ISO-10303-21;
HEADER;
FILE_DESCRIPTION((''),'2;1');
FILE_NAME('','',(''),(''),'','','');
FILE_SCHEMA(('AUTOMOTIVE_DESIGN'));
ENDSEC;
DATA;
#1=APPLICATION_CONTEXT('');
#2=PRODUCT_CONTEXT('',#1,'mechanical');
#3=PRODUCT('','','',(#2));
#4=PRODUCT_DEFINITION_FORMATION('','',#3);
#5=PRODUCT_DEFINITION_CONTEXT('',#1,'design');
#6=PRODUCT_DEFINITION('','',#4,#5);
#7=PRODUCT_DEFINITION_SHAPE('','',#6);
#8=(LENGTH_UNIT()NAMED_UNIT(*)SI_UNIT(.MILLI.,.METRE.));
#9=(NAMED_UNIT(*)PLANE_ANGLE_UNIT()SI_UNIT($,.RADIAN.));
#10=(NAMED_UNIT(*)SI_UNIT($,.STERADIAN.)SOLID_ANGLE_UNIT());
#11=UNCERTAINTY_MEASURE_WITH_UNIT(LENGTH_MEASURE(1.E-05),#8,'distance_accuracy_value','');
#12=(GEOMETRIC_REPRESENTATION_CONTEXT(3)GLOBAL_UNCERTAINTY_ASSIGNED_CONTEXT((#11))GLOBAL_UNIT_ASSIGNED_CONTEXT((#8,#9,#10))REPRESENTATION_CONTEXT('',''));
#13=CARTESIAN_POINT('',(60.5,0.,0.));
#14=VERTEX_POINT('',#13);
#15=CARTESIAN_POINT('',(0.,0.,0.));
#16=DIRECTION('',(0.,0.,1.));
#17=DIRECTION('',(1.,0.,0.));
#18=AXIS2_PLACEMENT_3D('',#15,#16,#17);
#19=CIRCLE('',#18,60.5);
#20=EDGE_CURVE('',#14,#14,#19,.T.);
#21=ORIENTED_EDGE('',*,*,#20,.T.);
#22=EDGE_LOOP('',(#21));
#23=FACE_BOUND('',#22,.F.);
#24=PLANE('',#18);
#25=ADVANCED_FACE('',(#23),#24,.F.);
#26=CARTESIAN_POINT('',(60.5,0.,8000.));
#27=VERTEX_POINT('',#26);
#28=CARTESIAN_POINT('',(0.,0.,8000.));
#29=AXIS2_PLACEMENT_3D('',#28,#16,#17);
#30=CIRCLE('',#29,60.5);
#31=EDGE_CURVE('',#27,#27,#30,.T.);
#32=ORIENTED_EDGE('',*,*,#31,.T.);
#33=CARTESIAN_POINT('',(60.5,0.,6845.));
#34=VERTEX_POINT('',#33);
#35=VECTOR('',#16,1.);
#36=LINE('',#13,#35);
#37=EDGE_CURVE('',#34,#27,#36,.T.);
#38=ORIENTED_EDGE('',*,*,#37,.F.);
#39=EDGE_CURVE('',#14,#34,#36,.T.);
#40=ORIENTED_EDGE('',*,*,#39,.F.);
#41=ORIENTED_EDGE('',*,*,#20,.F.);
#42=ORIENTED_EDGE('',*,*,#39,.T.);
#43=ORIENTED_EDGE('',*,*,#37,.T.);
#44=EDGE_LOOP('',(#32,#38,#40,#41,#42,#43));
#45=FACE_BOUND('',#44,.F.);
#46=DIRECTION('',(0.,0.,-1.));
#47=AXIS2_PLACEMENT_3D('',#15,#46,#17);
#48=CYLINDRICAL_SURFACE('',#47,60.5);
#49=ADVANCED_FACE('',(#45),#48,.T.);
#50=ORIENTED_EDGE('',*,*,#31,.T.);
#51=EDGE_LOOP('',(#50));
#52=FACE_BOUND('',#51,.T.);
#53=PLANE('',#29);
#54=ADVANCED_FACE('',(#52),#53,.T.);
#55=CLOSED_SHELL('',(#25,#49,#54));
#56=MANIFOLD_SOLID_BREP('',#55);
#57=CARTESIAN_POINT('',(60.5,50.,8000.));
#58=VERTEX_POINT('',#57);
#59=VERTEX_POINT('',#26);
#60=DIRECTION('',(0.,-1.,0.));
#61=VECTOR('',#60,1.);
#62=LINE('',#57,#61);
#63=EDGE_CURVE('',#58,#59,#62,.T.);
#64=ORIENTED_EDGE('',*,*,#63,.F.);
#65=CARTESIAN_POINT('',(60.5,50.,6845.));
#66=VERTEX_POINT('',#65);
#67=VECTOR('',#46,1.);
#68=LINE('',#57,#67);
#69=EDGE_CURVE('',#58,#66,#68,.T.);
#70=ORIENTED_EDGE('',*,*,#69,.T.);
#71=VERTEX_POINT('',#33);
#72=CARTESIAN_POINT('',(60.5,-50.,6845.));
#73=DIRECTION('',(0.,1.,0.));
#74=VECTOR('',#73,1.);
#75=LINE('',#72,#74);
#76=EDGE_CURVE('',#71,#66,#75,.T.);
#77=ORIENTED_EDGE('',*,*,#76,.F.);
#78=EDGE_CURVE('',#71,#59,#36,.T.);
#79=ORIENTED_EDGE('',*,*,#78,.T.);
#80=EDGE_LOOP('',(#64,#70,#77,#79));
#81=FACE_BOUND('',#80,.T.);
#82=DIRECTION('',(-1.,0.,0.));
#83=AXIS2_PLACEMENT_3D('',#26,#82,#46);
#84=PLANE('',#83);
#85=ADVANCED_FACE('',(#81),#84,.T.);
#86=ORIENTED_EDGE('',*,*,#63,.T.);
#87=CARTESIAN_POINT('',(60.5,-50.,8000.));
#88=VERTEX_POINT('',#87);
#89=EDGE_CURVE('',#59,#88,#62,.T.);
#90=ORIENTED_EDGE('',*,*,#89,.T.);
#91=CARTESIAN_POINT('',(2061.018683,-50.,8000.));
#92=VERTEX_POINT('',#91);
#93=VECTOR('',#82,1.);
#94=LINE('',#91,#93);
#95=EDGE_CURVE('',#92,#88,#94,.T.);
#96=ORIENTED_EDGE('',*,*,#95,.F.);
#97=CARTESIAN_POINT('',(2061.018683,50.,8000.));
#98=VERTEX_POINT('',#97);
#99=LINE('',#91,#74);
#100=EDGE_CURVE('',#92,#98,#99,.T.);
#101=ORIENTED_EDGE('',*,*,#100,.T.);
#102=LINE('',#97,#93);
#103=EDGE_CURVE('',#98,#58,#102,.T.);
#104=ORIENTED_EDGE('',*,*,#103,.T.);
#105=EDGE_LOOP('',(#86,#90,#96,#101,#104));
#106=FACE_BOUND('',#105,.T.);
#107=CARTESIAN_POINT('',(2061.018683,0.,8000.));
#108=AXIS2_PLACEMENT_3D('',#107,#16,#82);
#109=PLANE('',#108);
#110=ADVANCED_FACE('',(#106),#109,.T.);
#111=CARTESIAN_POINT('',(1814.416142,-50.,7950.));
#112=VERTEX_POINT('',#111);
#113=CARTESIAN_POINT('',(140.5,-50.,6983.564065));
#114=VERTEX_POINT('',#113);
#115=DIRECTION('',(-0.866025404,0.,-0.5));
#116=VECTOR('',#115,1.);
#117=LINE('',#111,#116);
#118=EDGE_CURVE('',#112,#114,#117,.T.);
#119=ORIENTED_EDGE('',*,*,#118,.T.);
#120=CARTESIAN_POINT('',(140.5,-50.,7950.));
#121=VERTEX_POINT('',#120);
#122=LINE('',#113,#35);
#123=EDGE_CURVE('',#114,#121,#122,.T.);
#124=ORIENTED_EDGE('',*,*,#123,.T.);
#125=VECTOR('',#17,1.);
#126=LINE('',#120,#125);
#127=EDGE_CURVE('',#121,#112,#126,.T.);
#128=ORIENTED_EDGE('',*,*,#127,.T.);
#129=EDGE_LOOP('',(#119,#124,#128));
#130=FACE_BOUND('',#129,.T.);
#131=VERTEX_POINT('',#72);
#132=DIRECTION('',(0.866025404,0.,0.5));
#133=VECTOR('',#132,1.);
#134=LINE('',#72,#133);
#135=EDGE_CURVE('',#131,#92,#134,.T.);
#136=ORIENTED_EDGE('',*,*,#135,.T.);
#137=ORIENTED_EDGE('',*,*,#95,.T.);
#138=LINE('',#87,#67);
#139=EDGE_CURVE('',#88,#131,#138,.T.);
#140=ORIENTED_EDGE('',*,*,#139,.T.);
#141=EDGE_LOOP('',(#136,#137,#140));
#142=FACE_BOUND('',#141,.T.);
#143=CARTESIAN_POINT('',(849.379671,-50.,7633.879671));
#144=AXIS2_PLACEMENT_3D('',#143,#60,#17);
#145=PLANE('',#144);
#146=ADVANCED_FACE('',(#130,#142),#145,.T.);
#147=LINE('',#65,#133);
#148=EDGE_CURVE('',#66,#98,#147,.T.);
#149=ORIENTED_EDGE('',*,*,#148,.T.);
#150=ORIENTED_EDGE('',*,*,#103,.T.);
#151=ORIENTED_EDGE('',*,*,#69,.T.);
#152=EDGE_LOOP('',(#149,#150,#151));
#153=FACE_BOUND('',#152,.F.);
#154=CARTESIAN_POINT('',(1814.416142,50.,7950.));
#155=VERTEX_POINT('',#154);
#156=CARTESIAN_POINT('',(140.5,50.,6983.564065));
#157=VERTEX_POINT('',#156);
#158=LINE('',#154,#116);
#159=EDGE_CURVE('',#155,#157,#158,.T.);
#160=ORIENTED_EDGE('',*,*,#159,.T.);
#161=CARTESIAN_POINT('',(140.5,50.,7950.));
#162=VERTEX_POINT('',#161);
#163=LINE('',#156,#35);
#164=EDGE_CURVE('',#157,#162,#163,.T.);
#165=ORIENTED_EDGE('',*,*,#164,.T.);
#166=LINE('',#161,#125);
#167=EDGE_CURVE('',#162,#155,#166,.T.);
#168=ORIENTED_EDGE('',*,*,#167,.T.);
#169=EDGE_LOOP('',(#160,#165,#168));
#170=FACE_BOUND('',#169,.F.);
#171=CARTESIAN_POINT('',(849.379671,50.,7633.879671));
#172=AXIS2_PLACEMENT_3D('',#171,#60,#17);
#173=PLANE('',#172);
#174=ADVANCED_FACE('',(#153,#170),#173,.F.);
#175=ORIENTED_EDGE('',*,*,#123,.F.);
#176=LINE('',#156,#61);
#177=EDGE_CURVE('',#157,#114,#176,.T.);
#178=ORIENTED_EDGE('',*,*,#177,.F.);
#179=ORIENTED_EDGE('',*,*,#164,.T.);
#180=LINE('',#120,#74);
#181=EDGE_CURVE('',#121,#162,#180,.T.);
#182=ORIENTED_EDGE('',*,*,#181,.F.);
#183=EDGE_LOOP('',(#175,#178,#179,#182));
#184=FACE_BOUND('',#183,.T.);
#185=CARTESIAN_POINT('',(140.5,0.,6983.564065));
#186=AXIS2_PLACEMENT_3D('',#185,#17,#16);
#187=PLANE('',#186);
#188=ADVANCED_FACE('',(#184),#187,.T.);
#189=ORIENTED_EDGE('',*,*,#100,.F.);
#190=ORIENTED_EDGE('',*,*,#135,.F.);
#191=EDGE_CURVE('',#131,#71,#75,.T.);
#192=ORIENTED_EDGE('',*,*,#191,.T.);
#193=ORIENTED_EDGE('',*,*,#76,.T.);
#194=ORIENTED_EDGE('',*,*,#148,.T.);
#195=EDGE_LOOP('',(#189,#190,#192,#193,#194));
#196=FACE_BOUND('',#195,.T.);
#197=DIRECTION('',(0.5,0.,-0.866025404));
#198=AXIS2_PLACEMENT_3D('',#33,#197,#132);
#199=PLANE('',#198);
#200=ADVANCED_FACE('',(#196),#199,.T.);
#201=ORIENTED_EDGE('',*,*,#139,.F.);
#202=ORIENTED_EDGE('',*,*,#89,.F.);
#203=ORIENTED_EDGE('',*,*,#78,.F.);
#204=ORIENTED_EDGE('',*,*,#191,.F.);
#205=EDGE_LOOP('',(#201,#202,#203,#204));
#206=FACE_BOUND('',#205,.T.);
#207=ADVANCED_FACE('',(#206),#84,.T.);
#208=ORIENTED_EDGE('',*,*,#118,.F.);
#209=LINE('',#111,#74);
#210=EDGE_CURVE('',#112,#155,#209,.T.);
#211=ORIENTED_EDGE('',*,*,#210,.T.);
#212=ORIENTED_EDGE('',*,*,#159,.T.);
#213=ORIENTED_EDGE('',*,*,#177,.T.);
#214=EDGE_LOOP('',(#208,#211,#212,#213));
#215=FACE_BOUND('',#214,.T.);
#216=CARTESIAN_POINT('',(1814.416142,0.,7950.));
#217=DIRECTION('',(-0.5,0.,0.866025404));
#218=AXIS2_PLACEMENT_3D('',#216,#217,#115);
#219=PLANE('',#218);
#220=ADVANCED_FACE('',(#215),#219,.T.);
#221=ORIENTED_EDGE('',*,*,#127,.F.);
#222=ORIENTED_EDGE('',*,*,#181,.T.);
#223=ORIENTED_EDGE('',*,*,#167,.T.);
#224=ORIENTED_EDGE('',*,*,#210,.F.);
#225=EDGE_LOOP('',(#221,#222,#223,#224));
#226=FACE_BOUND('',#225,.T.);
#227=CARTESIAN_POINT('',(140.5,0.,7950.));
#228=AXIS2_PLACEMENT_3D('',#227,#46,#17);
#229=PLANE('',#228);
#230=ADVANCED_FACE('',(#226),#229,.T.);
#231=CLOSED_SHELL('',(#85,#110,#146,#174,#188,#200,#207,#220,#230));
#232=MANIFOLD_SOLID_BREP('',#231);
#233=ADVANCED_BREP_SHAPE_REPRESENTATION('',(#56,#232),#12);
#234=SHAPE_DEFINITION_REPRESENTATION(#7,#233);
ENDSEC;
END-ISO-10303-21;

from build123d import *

# Parameters (mm, degrees)
F0_R     = 60.5
F1_DEPTH = 8000
F3_DEPTH = 50


with BuildPart() as f1:
    # F0 (on Top) → F1 (new body)
    with BuildSketch(Plane.XY):
        Circle(F0_R)
    extrude(amount=F1_DEPTH)

    # F2 (on Front) → F3 (join, symmetric)
    with BuildSketch(Plane.XZ):
        Polygon((2061.018683, 8000), (60.5, 8000), (60.5, 6845), align=None)
        Polygon((140.5, 6983.564065), (140.5, 7950), (1814.416142, 7950), align=None, mode=Mode.SUBTRACT)
    extrude(amount=F3_DEPTH, both=True)


solid = f1.part
